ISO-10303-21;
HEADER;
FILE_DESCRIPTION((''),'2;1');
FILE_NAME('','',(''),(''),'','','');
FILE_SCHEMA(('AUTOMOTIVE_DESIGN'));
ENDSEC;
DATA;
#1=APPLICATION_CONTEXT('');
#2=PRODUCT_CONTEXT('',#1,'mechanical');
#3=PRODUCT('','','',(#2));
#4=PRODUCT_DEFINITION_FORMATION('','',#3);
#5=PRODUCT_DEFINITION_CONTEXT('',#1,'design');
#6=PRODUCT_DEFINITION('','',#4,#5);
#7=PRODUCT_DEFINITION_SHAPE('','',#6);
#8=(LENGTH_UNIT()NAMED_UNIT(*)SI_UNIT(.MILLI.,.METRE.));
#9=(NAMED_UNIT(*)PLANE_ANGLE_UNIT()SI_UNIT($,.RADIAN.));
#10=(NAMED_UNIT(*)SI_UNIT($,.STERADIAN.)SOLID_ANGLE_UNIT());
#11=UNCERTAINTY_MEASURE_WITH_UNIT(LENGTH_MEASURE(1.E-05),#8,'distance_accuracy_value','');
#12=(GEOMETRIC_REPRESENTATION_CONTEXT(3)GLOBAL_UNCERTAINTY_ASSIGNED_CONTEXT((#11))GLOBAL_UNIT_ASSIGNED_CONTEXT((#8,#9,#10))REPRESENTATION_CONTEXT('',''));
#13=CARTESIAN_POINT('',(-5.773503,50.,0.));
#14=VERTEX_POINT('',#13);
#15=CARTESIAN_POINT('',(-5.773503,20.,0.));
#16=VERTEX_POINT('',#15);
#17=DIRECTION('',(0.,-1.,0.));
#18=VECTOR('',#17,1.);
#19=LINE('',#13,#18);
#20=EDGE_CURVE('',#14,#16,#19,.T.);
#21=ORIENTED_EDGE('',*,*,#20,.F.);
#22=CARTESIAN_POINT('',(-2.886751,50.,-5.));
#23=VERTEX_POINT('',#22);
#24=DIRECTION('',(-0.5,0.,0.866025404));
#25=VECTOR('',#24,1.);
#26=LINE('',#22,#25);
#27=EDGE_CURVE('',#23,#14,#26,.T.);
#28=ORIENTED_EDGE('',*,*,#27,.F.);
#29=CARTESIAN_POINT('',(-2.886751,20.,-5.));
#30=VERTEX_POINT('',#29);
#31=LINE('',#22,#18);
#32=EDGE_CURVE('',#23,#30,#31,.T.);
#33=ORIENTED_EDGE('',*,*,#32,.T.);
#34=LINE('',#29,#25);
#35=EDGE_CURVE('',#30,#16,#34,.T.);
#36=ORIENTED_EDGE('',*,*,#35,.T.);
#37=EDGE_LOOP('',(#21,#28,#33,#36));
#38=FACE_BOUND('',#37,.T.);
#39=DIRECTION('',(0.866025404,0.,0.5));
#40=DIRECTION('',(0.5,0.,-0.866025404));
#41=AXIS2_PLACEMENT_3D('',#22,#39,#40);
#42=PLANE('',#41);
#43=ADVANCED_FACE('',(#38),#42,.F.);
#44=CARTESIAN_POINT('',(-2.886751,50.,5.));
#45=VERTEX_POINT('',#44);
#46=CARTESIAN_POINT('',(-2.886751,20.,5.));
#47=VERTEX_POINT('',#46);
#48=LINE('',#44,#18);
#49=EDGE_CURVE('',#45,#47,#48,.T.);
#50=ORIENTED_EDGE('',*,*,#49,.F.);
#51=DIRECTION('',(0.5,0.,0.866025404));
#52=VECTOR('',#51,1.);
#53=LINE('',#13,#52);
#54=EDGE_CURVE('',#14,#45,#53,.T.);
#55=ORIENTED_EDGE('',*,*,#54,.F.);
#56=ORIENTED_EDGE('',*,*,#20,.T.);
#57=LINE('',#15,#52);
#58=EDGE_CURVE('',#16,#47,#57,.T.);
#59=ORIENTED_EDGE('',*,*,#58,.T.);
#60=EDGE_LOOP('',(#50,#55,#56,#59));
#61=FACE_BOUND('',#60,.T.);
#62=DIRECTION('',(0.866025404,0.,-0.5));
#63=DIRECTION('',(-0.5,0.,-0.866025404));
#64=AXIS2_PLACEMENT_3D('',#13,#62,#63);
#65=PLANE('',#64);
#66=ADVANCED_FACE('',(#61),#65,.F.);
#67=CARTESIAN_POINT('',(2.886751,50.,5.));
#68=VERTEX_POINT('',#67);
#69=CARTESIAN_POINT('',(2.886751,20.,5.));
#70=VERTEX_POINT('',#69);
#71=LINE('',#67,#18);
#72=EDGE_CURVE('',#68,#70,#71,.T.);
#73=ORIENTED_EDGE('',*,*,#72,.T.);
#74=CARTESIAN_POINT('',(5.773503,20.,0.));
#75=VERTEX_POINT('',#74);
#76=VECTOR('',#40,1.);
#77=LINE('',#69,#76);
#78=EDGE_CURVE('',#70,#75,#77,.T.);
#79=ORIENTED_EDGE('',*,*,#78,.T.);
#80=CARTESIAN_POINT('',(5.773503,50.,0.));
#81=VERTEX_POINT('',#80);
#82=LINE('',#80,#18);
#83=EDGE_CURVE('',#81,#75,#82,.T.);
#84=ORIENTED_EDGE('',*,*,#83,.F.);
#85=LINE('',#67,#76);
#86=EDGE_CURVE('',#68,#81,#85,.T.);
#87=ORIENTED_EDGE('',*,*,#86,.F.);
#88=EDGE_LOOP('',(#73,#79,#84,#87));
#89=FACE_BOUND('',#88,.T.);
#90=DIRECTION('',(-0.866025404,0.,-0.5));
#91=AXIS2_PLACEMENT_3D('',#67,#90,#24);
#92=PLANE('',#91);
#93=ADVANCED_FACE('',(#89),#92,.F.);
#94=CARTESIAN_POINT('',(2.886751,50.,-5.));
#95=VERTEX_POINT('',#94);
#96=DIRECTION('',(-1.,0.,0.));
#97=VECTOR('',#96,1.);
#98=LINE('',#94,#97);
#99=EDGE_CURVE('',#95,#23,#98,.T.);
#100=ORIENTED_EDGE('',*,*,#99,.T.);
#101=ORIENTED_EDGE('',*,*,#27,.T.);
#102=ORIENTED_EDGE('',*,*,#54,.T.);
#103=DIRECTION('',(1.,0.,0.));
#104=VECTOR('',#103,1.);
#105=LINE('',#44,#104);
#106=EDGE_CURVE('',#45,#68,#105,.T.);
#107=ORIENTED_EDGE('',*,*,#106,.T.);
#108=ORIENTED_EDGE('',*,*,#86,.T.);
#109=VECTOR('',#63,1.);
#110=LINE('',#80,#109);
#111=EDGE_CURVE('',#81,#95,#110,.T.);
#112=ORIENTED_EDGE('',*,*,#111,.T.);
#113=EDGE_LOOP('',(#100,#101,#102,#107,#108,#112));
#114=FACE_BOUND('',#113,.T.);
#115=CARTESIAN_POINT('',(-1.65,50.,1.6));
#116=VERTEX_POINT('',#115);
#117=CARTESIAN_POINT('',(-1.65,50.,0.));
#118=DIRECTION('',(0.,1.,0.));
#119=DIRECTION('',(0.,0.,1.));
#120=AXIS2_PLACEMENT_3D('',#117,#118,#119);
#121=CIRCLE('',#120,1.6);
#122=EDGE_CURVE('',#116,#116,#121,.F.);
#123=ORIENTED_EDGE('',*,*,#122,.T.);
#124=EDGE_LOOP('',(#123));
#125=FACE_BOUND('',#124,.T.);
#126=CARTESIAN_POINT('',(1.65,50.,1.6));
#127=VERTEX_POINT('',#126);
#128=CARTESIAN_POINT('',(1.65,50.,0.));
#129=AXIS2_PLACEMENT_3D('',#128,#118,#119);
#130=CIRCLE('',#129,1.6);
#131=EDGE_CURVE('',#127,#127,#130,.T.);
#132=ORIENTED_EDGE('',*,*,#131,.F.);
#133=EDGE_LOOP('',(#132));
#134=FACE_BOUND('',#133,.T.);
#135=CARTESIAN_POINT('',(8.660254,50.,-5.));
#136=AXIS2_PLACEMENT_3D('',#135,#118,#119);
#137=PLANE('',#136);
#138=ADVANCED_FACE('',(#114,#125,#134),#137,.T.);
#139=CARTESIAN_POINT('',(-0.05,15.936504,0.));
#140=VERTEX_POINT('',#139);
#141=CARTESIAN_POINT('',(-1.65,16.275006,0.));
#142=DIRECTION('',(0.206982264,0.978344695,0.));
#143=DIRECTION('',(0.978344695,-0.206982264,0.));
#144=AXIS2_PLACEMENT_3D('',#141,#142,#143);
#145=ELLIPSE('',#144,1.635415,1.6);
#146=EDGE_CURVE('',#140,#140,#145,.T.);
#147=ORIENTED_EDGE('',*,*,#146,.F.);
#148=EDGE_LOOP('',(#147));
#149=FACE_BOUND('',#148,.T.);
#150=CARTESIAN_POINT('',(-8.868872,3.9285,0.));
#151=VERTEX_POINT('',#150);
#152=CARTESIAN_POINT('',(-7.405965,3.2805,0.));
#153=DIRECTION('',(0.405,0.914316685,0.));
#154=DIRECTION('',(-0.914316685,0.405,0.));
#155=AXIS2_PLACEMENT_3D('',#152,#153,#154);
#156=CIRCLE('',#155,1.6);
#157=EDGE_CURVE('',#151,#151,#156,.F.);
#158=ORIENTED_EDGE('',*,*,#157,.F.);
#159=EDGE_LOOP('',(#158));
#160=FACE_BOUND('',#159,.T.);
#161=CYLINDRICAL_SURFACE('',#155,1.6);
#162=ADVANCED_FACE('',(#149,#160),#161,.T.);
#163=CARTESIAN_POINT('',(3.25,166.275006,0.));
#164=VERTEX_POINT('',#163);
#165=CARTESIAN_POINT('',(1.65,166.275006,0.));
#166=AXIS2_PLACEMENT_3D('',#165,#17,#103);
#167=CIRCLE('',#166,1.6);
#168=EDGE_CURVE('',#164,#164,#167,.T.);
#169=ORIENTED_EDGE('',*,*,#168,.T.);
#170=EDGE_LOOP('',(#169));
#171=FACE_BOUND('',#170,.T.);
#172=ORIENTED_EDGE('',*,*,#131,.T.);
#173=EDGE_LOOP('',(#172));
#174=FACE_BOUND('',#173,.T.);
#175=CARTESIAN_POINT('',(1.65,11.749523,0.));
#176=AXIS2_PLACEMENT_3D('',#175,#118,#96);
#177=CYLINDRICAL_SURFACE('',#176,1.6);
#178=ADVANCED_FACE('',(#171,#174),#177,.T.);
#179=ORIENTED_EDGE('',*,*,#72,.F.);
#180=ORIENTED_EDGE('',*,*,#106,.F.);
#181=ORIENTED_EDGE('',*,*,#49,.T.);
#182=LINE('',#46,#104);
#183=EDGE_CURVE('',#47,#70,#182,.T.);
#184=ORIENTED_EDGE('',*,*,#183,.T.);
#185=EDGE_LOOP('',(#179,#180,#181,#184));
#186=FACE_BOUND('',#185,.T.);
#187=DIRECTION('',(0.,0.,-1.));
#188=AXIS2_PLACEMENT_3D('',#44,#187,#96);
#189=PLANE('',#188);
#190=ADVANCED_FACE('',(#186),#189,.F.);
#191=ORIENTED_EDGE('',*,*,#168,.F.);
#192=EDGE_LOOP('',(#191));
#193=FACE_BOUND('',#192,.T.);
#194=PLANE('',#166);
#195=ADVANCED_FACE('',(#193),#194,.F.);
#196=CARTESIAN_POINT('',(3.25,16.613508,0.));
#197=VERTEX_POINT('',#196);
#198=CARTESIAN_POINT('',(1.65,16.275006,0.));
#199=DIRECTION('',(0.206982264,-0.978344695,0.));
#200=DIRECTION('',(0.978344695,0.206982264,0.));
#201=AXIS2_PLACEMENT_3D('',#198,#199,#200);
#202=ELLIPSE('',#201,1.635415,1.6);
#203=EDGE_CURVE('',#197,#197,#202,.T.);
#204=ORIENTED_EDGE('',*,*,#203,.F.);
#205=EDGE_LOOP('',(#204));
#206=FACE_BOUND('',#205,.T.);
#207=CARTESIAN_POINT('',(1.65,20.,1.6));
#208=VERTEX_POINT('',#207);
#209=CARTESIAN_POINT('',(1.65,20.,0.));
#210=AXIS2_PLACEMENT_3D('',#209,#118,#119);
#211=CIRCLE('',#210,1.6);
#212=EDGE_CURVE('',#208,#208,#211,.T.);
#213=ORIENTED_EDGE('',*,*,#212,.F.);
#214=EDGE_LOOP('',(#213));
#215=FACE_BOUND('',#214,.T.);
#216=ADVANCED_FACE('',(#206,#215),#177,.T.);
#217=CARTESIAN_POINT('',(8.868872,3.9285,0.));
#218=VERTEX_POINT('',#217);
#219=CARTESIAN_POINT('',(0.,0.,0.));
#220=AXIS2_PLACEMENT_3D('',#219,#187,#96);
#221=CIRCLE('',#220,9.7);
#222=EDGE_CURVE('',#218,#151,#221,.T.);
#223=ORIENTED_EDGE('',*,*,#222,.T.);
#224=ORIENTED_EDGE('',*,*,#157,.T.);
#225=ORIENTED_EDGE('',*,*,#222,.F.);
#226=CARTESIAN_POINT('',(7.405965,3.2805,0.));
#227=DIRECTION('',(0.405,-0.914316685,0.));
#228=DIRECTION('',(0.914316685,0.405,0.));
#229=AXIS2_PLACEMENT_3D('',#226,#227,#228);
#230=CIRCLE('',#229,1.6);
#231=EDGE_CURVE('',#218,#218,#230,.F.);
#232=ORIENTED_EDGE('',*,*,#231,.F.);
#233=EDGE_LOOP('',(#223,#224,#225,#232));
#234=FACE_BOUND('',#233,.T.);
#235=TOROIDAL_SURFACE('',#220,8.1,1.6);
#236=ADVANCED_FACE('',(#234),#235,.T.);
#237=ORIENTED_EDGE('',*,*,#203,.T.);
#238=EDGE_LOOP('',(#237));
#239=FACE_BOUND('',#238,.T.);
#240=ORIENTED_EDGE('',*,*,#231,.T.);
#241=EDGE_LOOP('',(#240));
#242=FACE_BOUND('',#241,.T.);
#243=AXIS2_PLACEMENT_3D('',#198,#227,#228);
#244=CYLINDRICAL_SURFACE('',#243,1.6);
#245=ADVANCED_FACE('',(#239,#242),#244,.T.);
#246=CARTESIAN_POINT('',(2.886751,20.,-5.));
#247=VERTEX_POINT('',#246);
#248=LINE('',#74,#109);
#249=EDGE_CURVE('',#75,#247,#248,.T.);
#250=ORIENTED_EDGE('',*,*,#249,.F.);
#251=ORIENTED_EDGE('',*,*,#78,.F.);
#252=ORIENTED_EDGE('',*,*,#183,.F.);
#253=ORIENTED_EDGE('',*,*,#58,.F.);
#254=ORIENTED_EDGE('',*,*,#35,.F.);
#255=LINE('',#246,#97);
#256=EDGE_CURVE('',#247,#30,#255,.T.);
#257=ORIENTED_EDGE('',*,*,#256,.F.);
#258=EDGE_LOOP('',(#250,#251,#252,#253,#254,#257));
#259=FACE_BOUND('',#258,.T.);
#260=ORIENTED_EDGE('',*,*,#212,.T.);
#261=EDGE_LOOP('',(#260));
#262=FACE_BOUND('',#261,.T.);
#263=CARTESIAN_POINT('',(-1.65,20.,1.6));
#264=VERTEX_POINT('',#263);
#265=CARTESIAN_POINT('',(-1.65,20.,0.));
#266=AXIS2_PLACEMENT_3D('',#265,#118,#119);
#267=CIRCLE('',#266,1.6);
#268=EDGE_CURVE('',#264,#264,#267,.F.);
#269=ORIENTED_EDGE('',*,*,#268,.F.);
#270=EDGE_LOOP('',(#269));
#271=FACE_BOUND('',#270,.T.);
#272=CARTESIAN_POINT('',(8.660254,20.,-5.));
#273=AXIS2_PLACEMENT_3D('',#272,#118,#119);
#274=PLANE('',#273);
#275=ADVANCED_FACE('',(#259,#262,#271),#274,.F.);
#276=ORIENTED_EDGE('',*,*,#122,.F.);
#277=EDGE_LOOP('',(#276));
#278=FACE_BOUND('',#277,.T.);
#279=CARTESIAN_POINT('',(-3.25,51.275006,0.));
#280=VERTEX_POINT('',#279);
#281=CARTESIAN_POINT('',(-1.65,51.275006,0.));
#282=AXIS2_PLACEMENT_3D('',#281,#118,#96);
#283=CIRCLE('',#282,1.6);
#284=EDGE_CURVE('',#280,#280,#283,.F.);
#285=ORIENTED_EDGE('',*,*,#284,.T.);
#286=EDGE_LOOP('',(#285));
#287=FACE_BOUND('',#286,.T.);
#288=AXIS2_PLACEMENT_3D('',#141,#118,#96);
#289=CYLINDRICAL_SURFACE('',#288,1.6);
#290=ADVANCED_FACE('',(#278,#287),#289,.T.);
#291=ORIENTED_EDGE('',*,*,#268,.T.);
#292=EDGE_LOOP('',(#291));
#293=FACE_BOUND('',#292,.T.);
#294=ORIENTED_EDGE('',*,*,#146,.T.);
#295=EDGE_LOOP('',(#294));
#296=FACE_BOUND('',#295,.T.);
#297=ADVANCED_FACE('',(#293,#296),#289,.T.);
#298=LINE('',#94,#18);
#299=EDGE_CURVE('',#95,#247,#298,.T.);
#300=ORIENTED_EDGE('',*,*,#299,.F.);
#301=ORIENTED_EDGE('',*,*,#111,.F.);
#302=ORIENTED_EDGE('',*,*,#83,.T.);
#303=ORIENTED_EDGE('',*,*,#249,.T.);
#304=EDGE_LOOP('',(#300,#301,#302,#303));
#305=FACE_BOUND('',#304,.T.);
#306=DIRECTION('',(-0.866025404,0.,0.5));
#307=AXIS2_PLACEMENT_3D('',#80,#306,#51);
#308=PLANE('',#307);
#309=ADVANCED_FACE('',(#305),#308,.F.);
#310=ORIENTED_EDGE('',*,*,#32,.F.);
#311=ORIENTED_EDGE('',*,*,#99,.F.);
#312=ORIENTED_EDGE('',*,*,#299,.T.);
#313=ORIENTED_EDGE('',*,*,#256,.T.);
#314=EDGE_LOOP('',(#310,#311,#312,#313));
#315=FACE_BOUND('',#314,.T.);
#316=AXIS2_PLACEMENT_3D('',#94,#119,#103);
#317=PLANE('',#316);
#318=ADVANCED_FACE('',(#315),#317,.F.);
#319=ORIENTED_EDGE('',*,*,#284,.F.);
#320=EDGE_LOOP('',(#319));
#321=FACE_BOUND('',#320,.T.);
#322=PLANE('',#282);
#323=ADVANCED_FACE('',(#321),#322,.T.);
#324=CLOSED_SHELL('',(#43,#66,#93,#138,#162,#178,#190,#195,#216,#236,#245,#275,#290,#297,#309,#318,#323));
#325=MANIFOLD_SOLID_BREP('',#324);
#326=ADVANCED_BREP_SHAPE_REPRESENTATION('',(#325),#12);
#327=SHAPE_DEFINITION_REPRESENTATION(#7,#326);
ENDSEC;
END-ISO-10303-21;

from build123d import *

# Parameters (mm, degrees)
ESBO_O2_R       = 1.6
EXTRUS_O1_DEPTH = 30


with BuildPart() as part:
    # Varredura1: sweep along a path in Esboço1
    with BuildLine(Plane.XY) as varredura1_path:
        Line((1.65, 166.275006099), (1.65, 16.275006099))
        Line((1.65, 16.275006099), (7.405965146, 3.2805))
        ThreePointArc((7.405965146, 3.2805), (0, -8.1), (-7.405965146, 3.2805))
        Line((-7.405965146, 3.2805), (-1.65, 16.275006099))
        Line((-1.65, 16.275006099), (-1.65, 51.275006099))
    # Esboço2 → Varredura1 (sweep)
    with BuildSketch(Plane(origin=(1.65, 166.275006099, 0), x_dir=(1, 0, 0), z_dir=(0, -1, 0))):
        Circle(ESBO_O2_R)
    sweep(path=varredura1_path.line, transition=Transition.RIGHT)

    # Esboço4 → Extrusão1 (add)
    with BuildSketch(Plane(origin=(0, 20, 0), x_dir=(-1, 0, 0), z_dir=(0, 1, 0))):
        Polygon((-5.773502692, 0), (-2.886751346, -5), (2.886751346, -5), (5.773502692, 0), (2.886751346, 5), (-2.886751346, 5), align=None)
    extrude(amount=EXTRUS_O1_DEPTH)


solid = part.part
